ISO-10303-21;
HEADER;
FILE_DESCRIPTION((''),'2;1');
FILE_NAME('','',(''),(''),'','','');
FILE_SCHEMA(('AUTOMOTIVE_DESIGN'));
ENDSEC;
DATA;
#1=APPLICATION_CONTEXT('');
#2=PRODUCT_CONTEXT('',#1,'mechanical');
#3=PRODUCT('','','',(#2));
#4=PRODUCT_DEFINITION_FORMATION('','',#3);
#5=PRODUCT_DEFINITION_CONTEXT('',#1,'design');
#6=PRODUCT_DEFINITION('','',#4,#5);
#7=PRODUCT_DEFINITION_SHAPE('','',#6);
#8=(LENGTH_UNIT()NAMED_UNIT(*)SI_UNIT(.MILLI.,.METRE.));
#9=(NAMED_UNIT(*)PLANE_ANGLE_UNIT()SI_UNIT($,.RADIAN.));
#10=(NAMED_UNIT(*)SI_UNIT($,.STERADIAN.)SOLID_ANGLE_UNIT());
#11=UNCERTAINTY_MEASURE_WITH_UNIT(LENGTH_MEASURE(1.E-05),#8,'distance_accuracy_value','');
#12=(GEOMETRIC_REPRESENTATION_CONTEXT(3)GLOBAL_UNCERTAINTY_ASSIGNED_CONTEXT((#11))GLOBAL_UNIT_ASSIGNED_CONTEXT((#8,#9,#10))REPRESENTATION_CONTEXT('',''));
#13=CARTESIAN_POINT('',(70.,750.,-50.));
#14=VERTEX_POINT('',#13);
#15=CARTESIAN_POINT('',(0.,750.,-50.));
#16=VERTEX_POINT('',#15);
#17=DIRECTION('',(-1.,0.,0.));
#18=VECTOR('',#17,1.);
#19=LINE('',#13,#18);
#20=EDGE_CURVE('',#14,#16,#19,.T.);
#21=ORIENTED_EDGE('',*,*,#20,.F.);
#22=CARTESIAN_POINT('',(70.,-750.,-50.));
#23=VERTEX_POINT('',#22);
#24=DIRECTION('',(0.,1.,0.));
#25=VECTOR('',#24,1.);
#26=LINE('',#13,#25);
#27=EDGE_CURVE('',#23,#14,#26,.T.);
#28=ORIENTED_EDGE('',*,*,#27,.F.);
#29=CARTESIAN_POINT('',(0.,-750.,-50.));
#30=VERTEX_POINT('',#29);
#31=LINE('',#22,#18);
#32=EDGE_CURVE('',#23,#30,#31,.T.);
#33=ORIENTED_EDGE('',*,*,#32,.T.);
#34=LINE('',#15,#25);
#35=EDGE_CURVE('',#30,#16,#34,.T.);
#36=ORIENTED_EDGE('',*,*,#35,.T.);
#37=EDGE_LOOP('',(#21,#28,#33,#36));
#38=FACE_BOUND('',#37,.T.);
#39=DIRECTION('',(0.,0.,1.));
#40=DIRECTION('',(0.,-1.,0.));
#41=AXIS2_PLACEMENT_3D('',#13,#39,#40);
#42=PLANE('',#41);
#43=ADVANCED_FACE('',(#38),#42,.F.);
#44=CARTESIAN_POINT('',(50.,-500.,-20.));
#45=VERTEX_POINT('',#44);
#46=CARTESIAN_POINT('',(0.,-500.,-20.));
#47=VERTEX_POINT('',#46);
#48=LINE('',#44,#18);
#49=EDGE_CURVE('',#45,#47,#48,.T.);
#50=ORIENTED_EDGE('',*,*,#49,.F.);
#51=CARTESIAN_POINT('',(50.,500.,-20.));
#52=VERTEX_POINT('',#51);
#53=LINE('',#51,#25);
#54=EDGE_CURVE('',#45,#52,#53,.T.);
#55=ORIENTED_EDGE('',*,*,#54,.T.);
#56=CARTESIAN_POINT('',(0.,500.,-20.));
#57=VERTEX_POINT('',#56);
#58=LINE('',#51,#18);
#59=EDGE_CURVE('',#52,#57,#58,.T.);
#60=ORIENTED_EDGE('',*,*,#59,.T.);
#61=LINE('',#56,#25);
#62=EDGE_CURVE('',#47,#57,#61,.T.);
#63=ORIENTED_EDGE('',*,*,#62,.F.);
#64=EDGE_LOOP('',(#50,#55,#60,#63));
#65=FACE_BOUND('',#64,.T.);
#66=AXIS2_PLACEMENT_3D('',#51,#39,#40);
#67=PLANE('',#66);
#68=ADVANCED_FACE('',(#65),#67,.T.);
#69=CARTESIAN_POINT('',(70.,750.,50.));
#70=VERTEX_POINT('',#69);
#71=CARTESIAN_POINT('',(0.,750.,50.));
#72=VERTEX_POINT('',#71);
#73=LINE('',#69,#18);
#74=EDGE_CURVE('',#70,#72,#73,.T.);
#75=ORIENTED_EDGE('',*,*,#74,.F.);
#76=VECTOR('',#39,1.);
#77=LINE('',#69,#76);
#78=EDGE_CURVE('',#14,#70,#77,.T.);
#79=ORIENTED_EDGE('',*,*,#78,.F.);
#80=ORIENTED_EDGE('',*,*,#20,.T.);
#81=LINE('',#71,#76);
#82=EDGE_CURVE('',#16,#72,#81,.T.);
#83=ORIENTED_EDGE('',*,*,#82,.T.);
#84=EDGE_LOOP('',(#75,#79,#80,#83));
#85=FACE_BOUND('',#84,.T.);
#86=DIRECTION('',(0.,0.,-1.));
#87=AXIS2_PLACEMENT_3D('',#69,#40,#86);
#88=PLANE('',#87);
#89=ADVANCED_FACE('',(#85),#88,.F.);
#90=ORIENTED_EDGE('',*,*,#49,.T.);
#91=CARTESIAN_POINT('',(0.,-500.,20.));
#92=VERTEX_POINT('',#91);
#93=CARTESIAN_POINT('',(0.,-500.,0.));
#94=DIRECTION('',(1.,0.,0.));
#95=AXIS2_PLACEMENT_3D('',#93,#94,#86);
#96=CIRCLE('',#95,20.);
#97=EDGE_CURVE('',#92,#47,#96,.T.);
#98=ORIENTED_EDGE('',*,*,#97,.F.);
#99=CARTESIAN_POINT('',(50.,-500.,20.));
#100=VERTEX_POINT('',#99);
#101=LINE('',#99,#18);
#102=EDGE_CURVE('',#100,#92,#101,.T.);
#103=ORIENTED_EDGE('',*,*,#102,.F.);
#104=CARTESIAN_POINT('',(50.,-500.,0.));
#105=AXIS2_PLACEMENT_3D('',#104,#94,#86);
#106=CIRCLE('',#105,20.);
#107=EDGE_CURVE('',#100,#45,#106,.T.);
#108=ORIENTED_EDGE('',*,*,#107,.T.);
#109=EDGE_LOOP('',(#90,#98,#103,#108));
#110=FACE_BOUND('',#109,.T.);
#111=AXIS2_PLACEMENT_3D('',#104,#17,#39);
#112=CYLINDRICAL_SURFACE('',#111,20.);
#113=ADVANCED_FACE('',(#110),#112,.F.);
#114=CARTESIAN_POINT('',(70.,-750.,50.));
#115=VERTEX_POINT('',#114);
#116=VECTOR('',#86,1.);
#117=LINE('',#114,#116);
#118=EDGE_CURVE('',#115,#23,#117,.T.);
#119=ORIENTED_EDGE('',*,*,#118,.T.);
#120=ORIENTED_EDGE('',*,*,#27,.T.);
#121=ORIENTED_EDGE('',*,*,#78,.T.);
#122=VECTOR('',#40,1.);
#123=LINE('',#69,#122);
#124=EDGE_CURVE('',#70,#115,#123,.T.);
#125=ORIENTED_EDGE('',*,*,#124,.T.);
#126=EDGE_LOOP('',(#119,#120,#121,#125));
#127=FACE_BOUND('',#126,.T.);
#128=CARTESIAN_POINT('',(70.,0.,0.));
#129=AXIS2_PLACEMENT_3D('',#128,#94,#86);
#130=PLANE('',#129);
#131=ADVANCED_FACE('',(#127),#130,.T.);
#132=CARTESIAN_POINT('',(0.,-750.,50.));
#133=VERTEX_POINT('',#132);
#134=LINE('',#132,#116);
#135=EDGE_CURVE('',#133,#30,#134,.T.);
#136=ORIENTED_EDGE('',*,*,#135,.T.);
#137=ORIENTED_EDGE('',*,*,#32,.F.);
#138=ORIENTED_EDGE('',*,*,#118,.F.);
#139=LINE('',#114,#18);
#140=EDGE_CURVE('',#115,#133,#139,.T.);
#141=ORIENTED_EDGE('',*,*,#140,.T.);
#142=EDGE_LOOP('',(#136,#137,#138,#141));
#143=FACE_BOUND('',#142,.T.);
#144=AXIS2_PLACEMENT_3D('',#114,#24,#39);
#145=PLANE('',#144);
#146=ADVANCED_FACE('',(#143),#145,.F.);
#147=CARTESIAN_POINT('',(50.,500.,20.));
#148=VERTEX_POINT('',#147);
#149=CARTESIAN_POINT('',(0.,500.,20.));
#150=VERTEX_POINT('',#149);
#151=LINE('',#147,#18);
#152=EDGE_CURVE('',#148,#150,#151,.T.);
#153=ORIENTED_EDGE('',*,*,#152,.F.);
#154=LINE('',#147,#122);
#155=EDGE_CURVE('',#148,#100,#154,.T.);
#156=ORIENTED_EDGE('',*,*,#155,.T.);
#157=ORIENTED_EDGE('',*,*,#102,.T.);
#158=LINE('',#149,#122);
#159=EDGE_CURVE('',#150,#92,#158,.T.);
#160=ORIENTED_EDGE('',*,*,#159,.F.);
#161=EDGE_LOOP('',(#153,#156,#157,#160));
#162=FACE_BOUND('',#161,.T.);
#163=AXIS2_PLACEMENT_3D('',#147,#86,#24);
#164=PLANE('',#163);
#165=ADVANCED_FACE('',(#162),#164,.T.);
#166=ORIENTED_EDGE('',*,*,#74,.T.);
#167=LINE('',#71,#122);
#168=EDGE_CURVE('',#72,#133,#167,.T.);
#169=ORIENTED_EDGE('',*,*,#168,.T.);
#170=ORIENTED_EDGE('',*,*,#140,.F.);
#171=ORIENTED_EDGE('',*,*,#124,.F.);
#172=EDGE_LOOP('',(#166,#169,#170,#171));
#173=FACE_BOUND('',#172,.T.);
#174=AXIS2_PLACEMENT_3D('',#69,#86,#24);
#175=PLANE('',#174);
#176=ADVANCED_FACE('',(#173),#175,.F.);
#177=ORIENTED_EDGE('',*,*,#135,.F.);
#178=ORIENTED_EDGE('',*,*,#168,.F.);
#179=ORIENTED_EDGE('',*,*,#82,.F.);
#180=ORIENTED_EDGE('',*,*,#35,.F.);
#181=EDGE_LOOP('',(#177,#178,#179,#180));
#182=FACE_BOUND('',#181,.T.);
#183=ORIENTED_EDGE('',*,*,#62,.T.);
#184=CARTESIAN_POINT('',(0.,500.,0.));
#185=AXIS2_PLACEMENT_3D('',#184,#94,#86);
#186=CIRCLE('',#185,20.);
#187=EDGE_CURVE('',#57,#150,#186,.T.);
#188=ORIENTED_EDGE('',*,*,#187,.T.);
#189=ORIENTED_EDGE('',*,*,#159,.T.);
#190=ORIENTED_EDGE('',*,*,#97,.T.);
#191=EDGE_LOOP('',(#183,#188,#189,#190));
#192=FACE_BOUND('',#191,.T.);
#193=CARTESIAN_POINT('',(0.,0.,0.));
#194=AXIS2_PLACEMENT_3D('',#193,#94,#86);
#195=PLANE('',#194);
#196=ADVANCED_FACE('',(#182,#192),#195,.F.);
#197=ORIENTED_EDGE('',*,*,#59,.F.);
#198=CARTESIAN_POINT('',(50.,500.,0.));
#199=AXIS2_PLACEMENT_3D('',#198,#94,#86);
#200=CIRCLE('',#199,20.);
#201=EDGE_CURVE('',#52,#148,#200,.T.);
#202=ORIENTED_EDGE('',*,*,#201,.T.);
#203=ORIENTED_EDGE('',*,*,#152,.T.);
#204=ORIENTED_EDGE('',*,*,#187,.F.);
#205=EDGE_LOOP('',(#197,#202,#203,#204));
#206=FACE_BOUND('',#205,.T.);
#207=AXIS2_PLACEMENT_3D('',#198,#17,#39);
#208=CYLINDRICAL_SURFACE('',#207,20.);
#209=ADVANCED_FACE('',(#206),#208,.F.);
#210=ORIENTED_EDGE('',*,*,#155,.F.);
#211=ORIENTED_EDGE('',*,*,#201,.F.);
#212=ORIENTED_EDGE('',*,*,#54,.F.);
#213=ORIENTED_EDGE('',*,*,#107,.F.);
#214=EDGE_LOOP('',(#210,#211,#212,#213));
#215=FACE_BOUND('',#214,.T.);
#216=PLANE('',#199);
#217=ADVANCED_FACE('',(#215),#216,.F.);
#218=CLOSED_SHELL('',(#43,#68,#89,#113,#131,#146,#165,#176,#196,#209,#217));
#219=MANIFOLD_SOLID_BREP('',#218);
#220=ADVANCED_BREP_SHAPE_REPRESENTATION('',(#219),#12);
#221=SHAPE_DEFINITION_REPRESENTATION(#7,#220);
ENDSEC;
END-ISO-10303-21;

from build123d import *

# Parameters (mm, degrees)
SKETCH3_W           = 100
SKETCH3_H           = 1500
BOSS_EXTRUDE2_DEPTH = 70
CUT_EXTRUDE2_DEPTH  = 50


with BuildPart() as part:
    # Sketch3 → Boss-Extrude2 (new body)
    with BuildSketch(Plane(origin=(0, 0, 0), x_dir=(0, 0, -1), z_dir=(1, 0, 0))):
        Rectangle(SKETCH3_W, SKETCH3_H)
    extrude(amount=BOSS_EXTRUDE2_DEPTH)

    # Sketch7 → Cut-Extrude2 (cut)
    with BuildSketch(Plane(origin=(0, 0, 0), x_dir=(0, 0, -1), z_dir=(1, 0, 0))):
        with BuildLine():
            Line((20, 500), (20, -500))
            ThreePointArc((20, -500), (0, -520), (-20, -500))
            Line((-20, -500), (-20, 500))
            ThreePointArc((-20, 500), (0, 520), (20, 500))
        make_face()
    extrude(amount=CUT_EXTRUDE2_DEPTH, mode=Mode.SUBTRACT)


solid = part.part
